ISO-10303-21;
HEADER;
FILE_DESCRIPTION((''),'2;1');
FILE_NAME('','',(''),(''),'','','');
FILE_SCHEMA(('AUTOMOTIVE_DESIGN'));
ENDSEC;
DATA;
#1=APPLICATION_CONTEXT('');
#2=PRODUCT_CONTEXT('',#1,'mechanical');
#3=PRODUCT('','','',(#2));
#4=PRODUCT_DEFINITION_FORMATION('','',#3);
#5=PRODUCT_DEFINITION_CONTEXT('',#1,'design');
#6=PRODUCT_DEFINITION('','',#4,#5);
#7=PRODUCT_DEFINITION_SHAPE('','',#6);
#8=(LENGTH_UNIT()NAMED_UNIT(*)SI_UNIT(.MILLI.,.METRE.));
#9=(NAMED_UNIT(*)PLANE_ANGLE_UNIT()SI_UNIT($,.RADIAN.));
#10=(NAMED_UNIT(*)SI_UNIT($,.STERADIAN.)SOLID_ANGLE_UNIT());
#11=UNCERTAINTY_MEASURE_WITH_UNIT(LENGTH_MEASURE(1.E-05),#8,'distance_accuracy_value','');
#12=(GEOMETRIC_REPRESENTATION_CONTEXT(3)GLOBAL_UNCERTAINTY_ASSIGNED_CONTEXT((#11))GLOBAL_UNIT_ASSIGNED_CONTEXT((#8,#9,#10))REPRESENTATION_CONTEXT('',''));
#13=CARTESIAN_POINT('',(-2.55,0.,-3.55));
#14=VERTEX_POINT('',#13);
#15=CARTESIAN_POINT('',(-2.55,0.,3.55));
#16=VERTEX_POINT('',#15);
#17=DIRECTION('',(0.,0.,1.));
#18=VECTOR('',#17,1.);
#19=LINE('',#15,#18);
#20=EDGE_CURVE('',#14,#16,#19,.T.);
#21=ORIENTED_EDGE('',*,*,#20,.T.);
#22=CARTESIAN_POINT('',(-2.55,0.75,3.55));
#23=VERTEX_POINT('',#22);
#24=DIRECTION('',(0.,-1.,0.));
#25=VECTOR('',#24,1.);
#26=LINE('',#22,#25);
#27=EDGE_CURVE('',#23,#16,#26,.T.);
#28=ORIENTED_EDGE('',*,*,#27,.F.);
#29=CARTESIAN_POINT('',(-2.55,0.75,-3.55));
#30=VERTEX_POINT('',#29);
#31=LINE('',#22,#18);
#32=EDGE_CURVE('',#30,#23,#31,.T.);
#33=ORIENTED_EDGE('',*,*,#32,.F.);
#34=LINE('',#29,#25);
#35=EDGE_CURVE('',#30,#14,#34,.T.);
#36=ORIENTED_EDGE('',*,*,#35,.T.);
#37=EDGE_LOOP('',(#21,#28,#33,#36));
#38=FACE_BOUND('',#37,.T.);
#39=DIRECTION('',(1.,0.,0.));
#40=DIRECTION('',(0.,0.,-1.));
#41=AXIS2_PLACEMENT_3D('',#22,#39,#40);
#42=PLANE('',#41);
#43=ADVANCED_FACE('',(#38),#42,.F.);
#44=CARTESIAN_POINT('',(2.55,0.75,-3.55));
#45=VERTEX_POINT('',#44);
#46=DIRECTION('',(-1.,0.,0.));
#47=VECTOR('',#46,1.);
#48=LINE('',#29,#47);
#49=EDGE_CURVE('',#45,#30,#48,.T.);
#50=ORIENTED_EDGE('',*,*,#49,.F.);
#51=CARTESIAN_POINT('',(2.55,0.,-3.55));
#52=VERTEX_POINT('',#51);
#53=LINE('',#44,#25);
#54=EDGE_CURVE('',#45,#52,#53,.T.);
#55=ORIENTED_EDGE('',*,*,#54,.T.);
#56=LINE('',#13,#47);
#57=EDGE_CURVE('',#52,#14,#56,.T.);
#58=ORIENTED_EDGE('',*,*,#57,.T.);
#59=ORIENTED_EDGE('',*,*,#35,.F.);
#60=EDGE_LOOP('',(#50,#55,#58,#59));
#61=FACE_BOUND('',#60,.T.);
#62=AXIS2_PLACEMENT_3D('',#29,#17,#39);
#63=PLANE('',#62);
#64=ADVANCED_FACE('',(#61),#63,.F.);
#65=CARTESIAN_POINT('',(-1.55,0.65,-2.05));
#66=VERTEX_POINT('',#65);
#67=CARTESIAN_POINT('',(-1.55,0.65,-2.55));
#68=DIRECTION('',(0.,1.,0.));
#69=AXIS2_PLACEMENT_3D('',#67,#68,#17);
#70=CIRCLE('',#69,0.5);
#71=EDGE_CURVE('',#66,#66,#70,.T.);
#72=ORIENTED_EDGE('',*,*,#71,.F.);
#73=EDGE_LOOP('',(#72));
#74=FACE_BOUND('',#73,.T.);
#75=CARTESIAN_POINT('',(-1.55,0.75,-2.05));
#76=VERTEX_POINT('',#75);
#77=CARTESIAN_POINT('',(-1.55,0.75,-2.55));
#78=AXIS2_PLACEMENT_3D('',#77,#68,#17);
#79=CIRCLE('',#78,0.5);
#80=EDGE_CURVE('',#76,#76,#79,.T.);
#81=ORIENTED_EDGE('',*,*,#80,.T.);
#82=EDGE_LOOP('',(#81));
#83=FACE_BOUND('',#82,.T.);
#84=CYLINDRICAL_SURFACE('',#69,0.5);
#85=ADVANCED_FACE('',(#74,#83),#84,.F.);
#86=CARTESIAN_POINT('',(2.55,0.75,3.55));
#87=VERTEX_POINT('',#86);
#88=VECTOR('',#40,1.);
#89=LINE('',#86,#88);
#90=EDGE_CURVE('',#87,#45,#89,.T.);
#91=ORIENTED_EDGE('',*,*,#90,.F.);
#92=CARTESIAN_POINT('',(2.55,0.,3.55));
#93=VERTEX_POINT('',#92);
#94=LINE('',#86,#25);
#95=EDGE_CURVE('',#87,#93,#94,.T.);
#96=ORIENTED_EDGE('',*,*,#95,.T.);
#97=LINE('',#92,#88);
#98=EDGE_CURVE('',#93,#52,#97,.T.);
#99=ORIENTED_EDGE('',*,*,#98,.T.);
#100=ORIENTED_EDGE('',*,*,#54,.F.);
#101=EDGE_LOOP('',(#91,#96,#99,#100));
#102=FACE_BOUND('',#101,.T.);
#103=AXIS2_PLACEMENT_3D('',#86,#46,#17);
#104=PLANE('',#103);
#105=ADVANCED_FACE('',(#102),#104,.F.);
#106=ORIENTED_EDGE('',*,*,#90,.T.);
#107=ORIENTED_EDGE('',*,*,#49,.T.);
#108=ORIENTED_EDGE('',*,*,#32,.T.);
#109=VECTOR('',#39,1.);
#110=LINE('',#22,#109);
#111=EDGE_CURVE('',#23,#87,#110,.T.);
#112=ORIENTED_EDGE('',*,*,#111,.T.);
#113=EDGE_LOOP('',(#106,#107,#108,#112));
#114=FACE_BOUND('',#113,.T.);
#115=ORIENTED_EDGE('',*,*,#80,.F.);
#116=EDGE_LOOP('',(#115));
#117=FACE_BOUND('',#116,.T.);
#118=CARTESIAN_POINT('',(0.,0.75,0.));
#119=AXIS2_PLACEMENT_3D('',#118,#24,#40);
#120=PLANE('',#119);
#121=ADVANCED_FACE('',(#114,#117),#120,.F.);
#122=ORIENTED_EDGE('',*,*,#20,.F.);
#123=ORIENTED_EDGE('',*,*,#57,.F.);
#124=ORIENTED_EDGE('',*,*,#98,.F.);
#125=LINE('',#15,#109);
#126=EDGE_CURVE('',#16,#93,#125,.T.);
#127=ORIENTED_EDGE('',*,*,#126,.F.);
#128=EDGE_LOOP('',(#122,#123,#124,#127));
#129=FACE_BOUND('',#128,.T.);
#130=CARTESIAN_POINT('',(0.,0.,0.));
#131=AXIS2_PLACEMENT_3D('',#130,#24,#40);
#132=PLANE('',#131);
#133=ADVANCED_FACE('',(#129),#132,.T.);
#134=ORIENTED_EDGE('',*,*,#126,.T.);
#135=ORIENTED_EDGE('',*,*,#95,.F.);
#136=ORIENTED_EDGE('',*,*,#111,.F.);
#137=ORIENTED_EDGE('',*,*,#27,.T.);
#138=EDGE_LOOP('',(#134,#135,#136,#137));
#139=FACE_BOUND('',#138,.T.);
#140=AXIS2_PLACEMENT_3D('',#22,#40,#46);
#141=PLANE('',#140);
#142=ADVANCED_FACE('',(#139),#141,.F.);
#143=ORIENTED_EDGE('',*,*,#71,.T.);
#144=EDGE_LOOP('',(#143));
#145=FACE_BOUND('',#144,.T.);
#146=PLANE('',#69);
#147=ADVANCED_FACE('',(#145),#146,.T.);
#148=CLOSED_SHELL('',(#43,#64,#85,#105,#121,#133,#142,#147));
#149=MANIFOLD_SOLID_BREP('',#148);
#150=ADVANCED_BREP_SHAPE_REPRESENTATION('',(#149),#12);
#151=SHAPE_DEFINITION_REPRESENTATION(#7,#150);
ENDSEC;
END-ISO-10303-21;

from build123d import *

# Parameters (mm, degrees)
SKETCH1_W           = 5.1
SKETCH1_H           = 7.1
BOSS_EXTRUDE1_DEPTH = 0.75
SKETCH2_R           = 0.5
CUT_EXTRUDE1_DEPTH  = 0.1


with BuildPart() as part:
    # Sketch1 → Boss-Extrude1 (new body)
    with BuildSketch(Plane(origin=(0, 0, 0), x_dir=(1, 0, 0), z_dir=(0, 1, 0))):
        Rectangle(SKETCH1_W, SKETCH1_H)
    extrude(amount=BOSS_EXTRUDE1_DEPTH)

    # Sketch2 → Cut-Extrude1 (cut)
    with BuildSketch(Plane(origin=(0, 0.75, 0), x_dir=(1, 0, 0), z_dir=(0, 1, 0))):
        with Locations((-1.55, 2.55)):
            Circle(SKETCH2_R)
    extrude(amount=-CUT_EXTRUDE1_DEPTH, mode=Mode.SUBTRACT)


solid = part.part
